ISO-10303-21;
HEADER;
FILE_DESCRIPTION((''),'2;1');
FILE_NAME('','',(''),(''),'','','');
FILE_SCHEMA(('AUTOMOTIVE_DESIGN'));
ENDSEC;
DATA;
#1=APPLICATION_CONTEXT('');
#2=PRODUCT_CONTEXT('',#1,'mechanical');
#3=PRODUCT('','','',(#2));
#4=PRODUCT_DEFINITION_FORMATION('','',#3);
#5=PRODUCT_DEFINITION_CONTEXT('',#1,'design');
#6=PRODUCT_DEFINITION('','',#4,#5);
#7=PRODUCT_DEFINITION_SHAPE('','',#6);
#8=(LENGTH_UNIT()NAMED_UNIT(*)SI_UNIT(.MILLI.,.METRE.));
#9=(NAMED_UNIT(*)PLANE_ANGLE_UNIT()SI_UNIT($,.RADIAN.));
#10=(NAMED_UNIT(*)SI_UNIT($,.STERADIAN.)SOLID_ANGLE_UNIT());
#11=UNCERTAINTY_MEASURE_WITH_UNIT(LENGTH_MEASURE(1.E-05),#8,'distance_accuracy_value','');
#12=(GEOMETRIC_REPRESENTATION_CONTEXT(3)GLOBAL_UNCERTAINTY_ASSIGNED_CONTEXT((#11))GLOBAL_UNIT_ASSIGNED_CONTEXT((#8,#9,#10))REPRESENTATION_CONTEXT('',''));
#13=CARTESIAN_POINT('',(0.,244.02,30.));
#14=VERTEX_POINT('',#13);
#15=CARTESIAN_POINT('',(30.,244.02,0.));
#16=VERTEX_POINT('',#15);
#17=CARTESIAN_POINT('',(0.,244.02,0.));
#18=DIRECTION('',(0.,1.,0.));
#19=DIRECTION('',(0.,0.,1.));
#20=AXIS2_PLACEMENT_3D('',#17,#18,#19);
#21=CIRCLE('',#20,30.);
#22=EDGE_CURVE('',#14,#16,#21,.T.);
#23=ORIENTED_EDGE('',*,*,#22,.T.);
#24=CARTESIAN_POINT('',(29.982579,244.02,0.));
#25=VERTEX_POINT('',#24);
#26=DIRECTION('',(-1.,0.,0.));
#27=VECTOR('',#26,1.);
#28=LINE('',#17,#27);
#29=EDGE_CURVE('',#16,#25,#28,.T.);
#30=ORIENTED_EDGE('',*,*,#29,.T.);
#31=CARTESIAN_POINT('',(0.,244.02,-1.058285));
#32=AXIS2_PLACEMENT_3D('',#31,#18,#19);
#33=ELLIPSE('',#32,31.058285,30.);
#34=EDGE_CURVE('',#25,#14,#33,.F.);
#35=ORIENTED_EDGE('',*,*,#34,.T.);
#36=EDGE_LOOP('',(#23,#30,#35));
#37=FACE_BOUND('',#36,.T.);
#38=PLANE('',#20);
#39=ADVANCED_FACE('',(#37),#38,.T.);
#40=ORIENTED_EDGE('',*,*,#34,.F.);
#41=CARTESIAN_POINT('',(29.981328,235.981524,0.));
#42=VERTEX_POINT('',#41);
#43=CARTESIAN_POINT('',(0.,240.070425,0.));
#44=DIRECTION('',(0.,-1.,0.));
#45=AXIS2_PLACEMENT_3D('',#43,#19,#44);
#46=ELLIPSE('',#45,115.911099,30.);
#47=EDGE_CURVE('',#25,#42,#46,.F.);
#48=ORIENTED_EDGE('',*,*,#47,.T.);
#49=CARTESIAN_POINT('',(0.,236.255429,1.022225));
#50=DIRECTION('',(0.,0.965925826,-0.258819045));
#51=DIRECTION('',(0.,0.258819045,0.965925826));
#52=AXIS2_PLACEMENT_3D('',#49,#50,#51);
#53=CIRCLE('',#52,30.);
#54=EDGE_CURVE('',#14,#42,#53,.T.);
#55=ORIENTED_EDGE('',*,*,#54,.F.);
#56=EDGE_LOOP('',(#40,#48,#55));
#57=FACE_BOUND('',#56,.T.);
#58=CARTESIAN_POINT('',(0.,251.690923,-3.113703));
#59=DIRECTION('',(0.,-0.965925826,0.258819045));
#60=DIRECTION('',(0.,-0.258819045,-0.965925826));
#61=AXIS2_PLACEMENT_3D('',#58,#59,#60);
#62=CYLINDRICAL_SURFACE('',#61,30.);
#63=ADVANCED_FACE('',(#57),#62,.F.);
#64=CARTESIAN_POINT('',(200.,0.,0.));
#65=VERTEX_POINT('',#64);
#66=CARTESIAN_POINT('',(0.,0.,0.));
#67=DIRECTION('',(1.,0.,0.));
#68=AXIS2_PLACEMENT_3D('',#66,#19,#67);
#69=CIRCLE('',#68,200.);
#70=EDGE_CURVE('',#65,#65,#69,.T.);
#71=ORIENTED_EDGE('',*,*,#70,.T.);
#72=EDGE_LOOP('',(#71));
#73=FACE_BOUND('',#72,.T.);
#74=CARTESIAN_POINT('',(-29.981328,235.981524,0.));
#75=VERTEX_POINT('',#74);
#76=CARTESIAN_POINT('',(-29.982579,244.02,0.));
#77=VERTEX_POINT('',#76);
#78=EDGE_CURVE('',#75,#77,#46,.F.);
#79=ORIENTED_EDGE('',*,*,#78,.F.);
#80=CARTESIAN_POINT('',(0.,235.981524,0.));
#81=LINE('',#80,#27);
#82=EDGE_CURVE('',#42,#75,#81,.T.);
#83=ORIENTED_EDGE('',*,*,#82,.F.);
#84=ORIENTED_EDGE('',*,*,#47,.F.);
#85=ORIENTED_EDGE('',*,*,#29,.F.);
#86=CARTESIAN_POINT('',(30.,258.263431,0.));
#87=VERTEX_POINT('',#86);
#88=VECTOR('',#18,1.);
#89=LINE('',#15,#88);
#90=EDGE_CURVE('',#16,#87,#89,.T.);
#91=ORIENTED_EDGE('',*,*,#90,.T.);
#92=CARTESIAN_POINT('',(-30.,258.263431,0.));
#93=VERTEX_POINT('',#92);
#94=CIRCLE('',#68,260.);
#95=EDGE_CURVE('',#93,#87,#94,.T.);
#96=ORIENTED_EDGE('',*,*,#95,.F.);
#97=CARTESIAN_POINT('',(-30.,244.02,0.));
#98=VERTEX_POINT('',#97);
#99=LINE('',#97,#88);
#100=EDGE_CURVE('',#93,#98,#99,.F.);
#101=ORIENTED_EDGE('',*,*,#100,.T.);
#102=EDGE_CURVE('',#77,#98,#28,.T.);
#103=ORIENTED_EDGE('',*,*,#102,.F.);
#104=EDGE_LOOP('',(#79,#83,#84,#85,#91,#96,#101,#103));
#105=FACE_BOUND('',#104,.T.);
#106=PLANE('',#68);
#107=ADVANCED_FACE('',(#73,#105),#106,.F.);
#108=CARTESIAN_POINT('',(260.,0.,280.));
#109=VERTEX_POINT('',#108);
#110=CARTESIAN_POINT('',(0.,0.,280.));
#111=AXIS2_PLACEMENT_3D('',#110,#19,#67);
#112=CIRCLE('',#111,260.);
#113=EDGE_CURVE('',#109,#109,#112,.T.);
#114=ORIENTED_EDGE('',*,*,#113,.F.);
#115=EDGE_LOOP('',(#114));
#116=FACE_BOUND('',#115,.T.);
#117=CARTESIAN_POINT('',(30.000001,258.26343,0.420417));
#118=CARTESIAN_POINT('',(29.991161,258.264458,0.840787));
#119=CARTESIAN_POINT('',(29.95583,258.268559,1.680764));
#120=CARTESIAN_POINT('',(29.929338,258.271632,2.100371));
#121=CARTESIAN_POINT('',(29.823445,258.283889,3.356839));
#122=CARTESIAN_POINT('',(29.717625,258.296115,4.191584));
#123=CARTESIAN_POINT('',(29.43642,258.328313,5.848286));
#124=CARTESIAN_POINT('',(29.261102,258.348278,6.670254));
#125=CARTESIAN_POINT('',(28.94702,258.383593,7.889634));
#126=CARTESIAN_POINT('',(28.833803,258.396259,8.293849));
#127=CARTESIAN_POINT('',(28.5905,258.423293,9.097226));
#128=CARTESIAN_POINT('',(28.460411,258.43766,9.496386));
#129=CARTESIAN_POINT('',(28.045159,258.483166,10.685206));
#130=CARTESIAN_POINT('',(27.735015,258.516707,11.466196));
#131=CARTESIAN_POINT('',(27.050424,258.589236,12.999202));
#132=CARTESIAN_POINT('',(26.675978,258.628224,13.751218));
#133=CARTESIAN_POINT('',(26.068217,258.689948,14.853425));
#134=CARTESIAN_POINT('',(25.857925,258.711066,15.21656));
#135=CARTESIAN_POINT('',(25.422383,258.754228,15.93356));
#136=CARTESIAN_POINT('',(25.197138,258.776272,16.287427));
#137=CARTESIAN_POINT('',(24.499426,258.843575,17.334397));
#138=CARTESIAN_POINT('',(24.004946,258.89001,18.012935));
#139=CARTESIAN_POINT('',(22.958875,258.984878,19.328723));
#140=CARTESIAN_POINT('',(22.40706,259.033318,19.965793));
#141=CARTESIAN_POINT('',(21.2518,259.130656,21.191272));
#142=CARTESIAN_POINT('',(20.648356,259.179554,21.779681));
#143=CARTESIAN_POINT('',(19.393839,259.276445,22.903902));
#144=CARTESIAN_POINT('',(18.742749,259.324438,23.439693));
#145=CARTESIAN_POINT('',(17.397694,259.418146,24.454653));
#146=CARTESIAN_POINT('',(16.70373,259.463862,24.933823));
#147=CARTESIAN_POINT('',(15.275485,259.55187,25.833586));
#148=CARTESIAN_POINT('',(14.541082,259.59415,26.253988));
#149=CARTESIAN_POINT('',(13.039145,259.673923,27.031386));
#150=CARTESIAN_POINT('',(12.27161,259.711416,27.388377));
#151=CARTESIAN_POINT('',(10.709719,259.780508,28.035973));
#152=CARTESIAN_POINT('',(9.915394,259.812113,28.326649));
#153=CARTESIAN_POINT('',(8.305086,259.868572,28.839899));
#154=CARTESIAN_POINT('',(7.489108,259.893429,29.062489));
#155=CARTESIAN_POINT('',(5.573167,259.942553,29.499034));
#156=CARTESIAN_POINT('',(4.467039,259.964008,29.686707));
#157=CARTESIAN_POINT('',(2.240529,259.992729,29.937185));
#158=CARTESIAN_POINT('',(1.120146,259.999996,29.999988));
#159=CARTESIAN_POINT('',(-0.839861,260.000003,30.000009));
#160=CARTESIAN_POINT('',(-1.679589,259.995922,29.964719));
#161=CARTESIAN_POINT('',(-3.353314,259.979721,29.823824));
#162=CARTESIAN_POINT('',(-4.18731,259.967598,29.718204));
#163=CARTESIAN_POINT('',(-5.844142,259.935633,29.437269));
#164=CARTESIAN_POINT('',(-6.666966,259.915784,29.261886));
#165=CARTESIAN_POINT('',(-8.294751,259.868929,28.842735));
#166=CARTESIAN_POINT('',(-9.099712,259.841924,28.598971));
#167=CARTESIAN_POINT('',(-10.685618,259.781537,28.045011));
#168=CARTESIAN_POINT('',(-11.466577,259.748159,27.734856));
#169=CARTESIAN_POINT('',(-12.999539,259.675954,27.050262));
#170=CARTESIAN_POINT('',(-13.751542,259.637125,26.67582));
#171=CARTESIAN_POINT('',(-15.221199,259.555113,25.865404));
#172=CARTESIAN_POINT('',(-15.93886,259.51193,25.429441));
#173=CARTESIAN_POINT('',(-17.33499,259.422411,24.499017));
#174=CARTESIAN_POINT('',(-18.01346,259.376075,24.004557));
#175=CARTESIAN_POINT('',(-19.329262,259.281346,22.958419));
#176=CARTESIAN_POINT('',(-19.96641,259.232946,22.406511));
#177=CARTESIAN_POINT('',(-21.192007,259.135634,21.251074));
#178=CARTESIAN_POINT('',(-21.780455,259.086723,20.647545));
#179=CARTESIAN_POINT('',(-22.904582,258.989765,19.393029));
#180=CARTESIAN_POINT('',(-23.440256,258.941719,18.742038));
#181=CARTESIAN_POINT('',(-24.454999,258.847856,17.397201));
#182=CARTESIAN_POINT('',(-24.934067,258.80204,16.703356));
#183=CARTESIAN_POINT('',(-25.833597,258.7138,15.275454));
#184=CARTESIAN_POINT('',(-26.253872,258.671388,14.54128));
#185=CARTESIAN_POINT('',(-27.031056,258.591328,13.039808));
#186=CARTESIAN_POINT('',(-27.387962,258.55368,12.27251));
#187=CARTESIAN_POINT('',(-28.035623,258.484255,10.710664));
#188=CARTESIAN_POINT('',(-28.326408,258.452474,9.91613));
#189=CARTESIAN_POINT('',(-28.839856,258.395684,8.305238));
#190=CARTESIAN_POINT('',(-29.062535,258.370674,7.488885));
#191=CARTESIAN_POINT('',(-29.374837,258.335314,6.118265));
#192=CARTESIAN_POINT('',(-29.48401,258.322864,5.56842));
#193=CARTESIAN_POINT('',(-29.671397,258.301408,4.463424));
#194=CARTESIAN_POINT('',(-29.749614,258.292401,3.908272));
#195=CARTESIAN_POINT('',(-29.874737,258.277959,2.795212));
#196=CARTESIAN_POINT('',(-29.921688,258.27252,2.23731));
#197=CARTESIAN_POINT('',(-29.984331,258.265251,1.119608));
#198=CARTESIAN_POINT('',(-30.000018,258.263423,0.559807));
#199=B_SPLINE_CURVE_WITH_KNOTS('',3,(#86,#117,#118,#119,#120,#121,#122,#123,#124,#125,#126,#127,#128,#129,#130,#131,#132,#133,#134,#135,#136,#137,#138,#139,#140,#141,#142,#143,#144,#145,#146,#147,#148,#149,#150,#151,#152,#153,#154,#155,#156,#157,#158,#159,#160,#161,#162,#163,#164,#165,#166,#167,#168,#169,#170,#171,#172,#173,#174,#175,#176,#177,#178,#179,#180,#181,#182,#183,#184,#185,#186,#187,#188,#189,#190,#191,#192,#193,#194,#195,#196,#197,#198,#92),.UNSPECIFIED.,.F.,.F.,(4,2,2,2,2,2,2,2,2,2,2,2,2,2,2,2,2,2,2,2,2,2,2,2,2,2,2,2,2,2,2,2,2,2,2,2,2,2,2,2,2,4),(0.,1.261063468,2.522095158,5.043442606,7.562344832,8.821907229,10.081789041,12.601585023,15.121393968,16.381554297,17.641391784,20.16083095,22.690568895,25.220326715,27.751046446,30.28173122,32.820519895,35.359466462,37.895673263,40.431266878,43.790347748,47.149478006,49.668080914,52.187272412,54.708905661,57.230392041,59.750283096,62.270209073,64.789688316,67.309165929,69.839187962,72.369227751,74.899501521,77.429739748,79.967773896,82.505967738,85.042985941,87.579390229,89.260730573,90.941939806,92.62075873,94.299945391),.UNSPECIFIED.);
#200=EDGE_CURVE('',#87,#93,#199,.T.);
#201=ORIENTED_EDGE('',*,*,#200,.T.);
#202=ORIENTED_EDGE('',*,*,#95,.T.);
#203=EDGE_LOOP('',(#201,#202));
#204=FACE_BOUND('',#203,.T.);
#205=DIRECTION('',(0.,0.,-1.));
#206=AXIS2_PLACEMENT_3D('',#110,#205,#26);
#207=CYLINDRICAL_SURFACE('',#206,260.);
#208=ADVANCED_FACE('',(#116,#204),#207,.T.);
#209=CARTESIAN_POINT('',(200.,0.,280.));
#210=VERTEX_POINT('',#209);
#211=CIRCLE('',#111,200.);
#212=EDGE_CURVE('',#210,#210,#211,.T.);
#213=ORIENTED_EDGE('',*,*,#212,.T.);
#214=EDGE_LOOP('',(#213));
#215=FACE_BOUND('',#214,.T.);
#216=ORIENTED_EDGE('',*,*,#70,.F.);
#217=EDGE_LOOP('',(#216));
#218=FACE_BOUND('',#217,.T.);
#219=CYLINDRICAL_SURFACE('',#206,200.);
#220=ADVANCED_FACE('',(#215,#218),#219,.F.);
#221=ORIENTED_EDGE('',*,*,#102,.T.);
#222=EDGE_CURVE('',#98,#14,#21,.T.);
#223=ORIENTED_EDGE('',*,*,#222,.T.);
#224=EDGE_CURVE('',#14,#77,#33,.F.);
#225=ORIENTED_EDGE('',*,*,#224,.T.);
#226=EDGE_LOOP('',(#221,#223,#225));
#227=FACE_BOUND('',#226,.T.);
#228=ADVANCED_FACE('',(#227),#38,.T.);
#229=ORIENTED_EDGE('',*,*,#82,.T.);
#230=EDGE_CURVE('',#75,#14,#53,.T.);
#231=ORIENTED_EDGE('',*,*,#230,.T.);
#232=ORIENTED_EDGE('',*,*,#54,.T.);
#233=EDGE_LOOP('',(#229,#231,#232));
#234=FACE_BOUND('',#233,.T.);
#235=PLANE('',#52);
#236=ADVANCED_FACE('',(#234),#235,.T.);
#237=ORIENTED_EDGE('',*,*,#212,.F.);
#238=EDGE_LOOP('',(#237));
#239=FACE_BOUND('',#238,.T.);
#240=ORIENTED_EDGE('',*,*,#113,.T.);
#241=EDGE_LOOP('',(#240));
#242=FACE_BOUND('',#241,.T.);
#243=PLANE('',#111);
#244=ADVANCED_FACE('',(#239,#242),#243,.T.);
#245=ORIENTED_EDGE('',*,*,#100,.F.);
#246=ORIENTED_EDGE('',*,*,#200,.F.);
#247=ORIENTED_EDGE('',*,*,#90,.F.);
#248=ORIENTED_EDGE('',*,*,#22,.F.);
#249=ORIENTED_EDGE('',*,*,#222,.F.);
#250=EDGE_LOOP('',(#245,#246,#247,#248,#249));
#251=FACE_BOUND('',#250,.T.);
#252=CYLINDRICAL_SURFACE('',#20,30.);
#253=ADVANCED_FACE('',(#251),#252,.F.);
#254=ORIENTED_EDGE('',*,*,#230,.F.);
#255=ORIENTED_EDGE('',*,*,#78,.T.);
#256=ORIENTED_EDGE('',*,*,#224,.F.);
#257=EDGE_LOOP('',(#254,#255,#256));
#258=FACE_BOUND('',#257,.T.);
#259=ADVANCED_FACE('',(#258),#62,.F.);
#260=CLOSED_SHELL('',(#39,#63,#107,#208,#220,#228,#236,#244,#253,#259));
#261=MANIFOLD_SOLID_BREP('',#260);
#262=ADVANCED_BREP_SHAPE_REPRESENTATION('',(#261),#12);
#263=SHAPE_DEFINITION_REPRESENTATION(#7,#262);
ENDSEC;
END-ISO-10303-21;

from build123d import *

# Parameters (mm, degrees)
SKETCH_1_R          = 260
SKETCH_1_R_2        = 200
EXTRUDE_1_DEPTH     = 280
SKETCH_4_R          = 30
CUT_EXTRUDE_1_DEPTH = 15.98
SKETCH_18_R         = 30
CUT_EXTRUDE_4_DEPTH = 15.98


with BuildPart() as part:
    # 草图1 → 凸台-拉伸1 (new body)
    with BuildSketch(Plane.XY):
        Circle(SKETCH_1_R)
        Circle(SKETCH_1_R_2, mode=Mode.SUBTRACT)
    extrude(amount=EXTRUDE_1_DEPTH)

    # 草图4 → 切除-拉伸1 (cut)
    with BuildSketch(Plane(origin=(0, 260, 0), x_dir=(1, 0, 0), z_dir=(0, 1, 0))):
        Circle(SKETCH_4_R)
    extrude(amount=-CUT_EXTRUDE_1_DEPTH, mode=Mode.SUBTRACT)

    # 草图18 → 切除-拉伸4 (cut)
    with BuildSketch(Plane(origin=(0, 220.173759516, -58.995381057), x_dir=(-1, 0, 0), z_dir=(0, 0.9659258262890681, -0.25881904510252135))):
        with Locations((0, 62.134798175)):
            Circle(SKETCH_18_R)
    extrude(amount=CUT_EXTRUDE_4_DEPTH, mode=Mode.SUBTRACT)


solid = part.part
